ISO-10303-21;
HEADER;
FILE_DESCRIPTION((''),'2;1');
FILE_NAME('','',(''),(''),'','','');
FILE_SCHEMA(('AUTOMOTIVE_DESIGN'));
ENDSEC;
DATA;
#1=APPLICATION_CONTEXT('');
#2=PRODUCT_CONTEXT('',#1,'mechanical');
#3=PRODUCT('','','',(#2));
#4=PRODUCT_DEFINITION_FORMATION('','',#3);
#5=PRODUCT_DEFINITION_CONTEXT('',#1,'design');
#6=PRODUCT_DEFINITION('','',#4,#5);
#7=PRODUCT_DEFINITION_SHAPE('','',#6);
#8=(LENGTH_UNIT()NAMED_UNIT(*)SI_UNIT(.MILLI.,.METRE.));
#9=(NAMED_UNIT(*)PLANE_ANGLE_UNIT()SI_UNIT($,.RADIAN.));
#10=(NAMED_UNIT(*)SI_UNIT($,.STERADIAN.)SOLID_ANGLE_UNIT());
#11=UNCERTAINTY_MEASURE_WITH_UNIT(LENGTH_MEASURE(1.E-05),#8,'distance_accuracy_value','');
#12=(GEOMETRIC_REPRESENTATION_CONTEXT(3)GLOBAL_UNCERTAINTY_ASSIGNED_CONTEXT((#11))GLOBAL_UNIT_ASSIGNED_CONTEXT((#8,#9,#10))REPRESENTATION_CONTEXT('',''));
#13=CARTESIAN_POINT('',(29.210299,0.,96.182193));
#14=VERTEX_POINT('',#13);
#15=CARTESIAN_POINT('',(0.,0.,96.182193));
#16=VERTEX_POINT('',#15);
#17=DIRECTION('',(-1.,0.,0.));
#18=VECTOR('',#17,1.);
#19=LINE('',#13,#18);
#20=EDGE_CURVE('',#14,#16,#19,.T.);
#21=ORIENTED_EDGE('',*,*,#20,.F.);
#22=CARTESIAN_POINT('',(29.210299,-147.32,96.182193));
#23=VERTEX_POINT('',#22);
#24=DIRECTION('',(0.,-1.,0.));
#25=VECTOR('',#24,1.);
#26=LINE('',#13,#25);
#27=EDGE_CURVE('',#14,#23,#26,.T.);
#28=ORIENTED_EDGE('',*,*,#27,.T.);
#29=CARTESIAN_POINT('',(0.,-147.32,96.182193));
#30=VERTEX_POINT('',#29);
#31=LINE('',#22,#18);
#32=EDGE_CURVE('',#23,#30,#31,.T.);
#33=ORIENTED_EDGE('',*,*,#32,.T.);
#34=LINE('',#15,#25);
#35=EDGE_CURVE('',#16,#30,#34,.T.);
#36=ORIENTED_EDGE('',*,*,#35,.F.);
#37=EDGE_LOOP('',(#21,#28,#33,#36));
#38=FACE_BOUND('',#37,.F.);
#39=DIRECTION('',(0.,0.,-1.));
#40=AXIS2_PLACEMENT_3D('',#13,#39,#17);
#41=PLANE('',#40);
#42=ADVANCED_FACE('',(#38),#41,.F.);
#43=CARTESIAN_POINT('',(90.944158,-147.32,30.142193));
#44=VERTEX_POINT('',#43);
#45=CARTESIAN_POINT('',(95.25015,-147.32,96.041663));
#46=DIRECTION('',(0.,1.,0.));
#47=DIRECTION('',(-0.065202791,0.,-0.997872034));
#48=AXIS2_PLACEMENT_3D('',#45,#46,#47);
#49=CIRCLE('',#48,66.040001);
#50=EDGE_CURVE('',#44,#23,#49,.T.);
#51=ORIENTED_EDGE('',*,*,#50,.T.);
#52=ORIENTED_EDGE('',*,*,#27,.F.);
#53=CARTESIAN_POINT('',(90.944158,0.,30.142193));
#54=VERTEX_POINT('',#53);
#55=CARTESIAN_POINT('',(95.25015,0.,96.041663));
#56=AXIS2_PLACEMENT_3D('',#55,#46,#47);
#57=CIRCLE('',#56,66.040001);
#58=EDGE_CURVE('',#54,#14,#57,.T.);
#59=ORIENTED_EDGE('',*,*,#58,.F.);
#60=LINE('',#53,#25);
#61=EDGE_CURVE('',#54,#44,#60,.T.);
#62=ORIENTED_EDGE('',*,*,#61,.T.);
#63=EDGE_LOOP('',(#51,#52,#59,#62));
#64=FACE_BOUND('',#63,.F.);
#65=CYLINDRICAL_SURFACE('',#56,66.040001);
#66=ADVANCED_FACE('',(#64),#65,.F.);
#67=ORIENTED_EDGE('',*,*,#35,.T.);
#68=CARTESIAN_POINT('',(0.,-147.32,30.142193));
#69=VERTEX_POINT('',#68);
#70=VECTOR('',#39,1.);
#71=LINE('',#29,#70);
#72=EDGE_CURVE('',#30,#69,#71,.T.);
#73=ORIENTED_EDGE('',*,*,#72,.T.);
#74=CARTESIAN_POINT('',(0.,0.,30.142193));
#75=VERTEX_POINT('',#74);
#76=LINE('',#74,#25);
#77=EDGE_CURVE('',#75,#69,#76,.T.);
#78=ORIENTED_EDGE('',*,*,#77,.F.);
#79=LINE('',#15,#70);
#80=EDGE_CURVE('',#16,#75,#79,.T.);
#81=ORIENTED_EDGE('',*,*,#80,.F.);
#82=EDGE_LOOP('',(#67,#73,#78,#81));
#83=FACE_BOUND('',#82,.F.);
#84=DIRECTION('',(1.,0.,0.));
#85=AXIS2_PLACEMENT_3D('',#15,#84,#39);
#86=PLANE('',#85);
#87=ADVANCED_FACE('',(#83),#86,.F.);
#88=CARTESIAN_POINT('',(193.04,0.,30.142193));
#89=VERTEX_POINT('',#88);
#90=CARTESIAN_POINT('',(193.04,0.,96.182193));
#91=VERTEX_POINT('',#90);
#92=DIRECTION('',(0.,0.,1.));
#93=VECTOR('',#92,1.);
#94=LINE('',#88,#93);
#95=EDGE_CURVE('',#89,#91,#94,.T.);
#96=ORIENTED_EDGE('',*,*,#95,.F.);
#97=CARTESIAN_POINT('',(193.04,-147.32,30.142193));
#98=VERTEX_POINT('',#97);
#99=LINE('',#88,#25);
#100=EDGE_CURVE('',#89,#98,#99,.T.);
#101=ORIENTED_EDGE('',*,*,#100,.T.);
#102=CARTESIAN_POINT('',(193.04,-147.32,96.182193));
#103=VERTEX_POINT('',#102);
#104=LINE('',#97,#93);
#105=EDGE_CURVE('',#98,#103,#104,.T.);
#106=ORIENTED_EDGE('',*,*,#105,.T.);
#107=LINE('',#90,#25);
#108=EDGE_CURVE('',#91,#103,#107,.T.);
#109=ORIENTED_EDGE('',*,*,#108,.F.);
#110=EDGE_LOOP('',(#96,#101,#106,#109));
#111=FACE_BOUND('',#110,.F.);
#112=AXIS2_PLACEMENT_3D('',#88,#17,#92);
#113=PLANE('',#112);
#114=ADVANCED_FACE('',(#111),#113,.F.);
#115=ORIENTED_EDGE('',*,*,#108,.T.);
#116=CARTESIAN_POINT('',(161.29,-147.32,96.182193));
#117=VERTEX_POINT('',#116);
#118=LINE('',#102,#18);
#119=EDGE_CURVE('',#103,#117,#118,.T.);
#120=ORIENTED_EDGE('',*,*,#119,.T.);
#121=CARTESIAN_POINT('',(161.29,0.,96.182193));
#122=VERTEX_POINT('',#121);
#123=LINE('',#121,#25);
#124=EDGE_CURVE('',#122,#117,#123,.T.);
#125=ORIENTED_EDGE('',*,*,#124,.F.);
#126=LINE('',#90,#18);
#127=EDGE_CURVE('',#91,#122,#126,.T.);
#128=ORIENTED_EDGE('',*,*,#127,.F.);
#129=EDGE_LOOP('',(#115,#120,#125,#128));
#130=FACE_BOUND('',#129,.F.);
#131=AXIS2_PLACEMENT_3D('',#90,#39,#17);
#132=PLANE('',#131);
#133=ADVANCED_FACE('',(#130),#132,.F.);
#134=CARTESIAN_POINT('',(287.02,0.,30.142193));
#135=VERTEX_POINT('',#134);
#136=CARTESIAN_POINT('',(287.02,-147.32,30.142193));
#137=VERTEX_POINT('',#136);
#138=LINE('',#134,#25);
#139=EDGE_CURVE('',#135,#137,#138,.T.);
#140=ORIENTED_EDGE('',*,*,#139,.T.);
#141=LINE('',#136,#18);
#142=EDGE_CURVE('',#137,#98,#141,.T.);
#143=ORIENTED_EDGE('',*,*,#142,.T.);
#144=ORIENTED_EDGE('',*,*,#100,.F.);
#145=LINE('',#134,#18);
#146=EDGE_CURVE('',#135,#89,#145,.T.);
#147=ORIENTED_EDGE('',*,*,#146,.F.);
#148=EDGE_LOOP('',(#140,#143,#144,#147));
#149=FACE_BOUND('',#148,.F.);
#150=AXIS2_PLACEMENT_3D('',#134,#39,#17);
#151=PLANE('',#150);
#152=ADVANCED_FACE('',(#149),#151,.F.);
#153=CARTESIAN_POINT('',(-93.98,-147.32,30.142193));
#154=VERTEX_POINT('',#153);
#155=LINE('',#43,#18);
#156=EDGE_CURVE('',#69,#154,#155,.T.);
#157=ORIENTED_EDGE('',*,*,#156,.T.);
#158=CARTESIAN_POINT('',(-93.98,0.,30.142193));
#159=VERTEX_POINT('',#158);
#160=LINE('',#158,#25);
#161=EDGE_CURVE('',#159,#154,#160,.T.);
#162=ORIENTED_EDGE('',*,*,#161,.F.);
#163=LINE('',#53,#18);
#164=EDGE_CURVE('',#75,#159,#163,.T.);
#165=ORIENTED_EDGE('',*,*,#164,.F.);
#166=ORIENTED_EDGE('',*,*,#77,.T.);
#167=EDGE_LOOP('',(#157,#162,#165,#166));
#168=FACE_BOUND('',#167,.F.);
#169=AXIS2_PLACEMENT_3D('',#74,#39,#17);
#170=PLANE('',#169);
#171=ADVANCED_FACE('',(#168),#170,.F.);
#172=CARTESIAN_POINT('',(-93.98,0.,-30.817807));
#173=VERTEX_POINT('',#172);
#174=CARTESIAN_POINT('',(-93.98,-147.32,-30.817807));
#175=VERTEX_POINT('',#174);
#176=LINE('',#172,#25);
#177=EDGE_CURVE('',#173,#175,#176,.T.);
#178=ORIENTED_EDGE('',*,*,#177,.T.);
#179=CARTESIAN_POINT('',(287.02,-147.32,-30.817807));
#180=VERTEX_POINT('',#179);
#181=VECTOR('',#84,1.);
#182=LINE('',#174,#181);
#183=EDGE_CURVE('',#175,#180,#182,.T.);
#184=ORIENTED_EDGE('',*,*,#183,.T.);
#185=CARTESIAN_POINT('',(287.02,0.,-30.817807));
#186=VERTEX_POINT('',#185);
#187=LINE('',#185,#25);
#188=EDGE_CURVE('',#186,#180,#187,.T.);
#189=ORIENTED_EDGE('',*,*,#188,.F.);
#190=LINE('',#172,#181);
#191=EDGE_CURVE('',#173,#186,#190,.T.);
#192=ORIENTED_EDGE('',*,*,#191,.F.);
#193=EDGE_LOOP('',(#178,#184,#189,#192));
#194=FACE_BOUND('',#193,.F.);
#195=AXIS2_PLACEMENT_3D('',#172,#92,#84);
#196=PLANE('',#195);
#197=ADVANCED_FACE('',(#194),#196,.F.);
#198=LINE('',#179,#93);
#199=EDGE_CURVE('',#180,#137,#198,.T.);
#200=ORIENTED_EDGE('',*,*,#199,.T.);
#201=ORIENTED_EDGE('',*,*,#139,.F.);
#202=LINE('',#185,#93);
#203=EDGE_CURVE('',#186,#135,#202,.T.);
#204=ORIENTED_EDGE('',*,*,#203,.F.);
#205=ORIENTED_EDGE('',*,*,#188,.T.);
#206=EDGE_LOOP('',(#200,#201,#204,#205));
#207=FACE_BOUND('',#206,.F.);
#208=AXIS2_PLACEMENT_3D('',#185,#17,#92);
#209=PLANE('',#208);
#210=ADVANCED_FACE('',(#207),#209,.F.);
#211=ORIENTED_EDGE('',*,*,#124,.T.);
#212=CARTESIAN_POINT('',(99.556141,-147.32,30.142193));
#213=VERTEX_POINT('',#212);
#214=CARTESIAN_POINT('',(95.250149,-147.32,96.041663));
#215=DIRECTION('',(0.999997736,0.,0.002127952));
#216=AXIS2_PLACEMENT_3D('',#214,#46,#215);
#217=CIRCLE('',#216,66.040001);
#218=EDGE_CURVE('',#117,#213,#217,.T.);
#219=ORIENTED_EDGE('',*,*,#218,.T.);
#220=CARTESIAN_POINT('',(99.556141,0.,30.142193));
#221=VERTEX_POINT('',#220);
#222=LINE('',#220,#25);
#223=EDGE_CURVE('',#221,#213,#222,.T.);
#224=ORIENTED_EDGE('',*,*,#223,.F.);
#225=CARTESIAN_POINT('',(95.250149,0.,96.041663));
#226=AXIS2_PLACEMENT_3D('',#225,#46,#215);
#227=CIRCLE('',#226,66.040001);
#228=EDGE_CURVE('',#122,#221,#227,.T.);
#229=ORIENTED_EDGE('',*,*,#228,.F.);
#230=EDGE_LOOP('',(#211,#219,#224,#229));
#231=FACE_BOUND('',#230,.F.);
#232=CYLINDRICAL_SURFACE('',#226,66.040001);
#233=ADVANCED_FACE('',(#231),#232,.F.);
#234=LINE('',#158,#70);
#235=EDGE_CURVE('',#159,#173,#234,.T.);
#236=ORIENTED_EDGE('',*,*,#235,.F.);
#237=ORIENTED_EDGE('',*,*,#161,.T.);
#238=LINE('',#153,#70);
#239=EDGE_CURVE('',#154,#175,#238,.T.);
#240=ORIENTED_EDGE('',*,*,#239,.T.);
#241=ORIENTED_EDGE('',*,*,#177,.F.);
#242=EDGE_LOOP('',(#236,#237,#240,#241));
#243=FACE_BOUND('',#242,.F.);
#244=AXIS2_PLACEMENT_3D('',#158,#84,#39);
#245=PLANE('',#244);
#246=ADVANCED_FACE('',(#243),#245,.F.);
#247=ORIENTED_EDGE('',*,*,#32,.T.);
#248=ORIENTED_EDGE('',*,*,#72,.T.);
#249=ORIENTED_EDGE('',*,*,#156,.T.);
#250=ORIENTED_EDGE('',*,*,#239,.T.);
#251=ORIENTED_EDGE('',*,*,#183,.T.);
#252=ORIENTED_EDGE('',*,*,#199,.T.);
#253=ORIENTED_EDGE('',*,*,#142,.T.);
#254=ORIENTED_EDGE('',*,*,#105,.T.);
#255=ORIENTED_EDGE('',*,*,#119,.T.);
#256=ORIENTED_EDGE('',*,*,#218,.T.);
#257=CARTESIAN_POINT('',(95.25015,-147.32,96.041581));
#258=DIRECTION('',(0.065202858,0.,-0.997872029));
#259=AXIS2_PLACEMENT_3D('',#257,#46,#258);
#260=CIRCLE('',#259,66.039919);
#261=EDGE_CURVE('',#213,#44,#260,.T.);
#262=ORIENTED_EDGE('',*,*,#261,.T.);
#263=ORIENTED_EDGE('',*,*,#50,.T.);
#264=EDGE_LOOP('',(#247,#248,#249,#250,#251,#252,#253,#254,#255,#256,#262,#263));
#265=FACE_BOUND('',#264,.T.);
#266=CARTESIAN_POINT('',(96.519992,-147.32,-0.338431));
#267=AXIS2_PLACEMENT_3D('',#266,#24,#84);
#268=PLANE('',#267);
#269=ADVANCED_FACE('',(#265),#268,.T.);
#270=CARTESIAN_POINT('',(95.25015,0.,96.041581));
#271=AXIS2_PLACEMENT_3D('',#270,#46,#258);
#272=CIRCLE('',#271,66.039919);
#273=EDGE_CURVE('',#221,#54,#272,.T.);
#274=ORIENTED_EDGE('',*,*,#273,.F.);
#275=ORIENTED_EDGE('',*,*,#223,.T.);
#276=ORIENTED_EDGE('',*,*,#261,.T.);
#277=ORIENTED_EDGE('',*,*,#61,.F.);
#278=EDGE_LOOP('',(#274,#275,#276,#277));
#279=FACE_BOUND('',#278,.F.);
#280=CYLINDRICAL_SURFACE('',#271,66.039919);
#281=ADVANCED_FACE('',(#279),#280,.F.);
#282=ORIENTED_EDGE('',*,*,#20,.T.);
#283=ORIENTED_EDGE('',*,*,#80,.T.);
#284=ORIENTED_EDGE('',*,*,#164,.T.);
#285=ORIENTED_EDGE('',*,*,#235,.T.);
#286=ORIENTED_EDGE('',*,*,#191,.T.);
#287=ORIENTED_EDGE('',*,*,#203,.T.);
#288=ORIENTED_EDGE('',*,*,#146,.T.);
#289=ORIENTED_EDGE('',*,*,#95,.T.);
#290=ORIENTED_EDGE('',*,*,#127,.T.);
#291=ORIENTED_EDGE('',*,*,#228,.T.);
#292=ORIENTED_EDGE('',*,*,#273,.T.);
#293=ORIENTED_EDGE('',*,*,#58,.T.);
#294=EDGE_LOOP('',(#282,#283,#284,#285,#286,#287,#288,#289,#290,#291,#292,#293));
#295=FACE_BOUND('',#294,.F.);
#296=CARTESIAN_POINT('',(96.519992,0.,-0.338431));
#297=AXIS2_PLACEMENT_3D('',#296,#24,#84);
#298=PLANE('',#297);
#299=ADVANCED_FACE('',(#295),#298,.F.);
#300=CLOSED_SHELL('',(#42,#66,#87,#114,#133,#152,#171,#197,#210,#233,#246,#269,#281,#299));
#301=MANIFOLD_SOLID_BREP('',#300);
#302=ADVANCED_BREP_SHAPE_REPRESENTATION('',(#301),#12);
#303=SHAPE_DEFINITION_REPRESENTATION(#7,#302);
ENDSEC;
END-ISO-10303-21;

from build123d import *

# Parameters (mm, degrees)
F1_DEPTH = 147.32


with BuildPart() as f1:
    # F0 (on Front) → F1 (new body)
    with BuildSketch(Plane.XZ):
        with BuildLine():
            Line((0, 30.142193), (-93.98, 30.142193))
            Line((-93.98, 30.142193), (-93.98, -30.817807))
            Line((-93.98, -30.817807), (287.02, -30.817807))
            Line((287.02, -30.817807), (287.02, 30.142193))
            Line((287.02, 30.142193), (193.04, 30.142193))
            Line((193.04, 30.142193), (99.556141, 30.142193))
            ThreePointArc((99.556141, 30.142193), (95.25015, 30.001662), (90.944158, 30.142193))
            Line((90.944158, 30.142193), (0, 30.142193))
        make_face()
        with BuildLine():
            Line((0, 96.182193), (0, 30.142193))
            Line((0, 30.142193), (90.944158, 30.142193))
            ThreePointArc((90.944158, 30.142193), (47.006448, 50.943693), (29.210299, 96.182193))
            Line((29.210299, 96.182193), (0, 96.182193))
        make_face()
        with BuildLine():
            ThreePointArc((161.29, 96.182193), (143.493851, 50.943693), (99.556141, 30.142193))
            Line((99.556141, 30.142193), (193.04, 30.142193))
            Line((193.04, 30.142193), (193.04, 96.182193))
            Line((193.04, 96.182193), (161.29, 96.182193))
        make_face()
    extrude(amount=F1_DEPTH)


solid = f1.part
